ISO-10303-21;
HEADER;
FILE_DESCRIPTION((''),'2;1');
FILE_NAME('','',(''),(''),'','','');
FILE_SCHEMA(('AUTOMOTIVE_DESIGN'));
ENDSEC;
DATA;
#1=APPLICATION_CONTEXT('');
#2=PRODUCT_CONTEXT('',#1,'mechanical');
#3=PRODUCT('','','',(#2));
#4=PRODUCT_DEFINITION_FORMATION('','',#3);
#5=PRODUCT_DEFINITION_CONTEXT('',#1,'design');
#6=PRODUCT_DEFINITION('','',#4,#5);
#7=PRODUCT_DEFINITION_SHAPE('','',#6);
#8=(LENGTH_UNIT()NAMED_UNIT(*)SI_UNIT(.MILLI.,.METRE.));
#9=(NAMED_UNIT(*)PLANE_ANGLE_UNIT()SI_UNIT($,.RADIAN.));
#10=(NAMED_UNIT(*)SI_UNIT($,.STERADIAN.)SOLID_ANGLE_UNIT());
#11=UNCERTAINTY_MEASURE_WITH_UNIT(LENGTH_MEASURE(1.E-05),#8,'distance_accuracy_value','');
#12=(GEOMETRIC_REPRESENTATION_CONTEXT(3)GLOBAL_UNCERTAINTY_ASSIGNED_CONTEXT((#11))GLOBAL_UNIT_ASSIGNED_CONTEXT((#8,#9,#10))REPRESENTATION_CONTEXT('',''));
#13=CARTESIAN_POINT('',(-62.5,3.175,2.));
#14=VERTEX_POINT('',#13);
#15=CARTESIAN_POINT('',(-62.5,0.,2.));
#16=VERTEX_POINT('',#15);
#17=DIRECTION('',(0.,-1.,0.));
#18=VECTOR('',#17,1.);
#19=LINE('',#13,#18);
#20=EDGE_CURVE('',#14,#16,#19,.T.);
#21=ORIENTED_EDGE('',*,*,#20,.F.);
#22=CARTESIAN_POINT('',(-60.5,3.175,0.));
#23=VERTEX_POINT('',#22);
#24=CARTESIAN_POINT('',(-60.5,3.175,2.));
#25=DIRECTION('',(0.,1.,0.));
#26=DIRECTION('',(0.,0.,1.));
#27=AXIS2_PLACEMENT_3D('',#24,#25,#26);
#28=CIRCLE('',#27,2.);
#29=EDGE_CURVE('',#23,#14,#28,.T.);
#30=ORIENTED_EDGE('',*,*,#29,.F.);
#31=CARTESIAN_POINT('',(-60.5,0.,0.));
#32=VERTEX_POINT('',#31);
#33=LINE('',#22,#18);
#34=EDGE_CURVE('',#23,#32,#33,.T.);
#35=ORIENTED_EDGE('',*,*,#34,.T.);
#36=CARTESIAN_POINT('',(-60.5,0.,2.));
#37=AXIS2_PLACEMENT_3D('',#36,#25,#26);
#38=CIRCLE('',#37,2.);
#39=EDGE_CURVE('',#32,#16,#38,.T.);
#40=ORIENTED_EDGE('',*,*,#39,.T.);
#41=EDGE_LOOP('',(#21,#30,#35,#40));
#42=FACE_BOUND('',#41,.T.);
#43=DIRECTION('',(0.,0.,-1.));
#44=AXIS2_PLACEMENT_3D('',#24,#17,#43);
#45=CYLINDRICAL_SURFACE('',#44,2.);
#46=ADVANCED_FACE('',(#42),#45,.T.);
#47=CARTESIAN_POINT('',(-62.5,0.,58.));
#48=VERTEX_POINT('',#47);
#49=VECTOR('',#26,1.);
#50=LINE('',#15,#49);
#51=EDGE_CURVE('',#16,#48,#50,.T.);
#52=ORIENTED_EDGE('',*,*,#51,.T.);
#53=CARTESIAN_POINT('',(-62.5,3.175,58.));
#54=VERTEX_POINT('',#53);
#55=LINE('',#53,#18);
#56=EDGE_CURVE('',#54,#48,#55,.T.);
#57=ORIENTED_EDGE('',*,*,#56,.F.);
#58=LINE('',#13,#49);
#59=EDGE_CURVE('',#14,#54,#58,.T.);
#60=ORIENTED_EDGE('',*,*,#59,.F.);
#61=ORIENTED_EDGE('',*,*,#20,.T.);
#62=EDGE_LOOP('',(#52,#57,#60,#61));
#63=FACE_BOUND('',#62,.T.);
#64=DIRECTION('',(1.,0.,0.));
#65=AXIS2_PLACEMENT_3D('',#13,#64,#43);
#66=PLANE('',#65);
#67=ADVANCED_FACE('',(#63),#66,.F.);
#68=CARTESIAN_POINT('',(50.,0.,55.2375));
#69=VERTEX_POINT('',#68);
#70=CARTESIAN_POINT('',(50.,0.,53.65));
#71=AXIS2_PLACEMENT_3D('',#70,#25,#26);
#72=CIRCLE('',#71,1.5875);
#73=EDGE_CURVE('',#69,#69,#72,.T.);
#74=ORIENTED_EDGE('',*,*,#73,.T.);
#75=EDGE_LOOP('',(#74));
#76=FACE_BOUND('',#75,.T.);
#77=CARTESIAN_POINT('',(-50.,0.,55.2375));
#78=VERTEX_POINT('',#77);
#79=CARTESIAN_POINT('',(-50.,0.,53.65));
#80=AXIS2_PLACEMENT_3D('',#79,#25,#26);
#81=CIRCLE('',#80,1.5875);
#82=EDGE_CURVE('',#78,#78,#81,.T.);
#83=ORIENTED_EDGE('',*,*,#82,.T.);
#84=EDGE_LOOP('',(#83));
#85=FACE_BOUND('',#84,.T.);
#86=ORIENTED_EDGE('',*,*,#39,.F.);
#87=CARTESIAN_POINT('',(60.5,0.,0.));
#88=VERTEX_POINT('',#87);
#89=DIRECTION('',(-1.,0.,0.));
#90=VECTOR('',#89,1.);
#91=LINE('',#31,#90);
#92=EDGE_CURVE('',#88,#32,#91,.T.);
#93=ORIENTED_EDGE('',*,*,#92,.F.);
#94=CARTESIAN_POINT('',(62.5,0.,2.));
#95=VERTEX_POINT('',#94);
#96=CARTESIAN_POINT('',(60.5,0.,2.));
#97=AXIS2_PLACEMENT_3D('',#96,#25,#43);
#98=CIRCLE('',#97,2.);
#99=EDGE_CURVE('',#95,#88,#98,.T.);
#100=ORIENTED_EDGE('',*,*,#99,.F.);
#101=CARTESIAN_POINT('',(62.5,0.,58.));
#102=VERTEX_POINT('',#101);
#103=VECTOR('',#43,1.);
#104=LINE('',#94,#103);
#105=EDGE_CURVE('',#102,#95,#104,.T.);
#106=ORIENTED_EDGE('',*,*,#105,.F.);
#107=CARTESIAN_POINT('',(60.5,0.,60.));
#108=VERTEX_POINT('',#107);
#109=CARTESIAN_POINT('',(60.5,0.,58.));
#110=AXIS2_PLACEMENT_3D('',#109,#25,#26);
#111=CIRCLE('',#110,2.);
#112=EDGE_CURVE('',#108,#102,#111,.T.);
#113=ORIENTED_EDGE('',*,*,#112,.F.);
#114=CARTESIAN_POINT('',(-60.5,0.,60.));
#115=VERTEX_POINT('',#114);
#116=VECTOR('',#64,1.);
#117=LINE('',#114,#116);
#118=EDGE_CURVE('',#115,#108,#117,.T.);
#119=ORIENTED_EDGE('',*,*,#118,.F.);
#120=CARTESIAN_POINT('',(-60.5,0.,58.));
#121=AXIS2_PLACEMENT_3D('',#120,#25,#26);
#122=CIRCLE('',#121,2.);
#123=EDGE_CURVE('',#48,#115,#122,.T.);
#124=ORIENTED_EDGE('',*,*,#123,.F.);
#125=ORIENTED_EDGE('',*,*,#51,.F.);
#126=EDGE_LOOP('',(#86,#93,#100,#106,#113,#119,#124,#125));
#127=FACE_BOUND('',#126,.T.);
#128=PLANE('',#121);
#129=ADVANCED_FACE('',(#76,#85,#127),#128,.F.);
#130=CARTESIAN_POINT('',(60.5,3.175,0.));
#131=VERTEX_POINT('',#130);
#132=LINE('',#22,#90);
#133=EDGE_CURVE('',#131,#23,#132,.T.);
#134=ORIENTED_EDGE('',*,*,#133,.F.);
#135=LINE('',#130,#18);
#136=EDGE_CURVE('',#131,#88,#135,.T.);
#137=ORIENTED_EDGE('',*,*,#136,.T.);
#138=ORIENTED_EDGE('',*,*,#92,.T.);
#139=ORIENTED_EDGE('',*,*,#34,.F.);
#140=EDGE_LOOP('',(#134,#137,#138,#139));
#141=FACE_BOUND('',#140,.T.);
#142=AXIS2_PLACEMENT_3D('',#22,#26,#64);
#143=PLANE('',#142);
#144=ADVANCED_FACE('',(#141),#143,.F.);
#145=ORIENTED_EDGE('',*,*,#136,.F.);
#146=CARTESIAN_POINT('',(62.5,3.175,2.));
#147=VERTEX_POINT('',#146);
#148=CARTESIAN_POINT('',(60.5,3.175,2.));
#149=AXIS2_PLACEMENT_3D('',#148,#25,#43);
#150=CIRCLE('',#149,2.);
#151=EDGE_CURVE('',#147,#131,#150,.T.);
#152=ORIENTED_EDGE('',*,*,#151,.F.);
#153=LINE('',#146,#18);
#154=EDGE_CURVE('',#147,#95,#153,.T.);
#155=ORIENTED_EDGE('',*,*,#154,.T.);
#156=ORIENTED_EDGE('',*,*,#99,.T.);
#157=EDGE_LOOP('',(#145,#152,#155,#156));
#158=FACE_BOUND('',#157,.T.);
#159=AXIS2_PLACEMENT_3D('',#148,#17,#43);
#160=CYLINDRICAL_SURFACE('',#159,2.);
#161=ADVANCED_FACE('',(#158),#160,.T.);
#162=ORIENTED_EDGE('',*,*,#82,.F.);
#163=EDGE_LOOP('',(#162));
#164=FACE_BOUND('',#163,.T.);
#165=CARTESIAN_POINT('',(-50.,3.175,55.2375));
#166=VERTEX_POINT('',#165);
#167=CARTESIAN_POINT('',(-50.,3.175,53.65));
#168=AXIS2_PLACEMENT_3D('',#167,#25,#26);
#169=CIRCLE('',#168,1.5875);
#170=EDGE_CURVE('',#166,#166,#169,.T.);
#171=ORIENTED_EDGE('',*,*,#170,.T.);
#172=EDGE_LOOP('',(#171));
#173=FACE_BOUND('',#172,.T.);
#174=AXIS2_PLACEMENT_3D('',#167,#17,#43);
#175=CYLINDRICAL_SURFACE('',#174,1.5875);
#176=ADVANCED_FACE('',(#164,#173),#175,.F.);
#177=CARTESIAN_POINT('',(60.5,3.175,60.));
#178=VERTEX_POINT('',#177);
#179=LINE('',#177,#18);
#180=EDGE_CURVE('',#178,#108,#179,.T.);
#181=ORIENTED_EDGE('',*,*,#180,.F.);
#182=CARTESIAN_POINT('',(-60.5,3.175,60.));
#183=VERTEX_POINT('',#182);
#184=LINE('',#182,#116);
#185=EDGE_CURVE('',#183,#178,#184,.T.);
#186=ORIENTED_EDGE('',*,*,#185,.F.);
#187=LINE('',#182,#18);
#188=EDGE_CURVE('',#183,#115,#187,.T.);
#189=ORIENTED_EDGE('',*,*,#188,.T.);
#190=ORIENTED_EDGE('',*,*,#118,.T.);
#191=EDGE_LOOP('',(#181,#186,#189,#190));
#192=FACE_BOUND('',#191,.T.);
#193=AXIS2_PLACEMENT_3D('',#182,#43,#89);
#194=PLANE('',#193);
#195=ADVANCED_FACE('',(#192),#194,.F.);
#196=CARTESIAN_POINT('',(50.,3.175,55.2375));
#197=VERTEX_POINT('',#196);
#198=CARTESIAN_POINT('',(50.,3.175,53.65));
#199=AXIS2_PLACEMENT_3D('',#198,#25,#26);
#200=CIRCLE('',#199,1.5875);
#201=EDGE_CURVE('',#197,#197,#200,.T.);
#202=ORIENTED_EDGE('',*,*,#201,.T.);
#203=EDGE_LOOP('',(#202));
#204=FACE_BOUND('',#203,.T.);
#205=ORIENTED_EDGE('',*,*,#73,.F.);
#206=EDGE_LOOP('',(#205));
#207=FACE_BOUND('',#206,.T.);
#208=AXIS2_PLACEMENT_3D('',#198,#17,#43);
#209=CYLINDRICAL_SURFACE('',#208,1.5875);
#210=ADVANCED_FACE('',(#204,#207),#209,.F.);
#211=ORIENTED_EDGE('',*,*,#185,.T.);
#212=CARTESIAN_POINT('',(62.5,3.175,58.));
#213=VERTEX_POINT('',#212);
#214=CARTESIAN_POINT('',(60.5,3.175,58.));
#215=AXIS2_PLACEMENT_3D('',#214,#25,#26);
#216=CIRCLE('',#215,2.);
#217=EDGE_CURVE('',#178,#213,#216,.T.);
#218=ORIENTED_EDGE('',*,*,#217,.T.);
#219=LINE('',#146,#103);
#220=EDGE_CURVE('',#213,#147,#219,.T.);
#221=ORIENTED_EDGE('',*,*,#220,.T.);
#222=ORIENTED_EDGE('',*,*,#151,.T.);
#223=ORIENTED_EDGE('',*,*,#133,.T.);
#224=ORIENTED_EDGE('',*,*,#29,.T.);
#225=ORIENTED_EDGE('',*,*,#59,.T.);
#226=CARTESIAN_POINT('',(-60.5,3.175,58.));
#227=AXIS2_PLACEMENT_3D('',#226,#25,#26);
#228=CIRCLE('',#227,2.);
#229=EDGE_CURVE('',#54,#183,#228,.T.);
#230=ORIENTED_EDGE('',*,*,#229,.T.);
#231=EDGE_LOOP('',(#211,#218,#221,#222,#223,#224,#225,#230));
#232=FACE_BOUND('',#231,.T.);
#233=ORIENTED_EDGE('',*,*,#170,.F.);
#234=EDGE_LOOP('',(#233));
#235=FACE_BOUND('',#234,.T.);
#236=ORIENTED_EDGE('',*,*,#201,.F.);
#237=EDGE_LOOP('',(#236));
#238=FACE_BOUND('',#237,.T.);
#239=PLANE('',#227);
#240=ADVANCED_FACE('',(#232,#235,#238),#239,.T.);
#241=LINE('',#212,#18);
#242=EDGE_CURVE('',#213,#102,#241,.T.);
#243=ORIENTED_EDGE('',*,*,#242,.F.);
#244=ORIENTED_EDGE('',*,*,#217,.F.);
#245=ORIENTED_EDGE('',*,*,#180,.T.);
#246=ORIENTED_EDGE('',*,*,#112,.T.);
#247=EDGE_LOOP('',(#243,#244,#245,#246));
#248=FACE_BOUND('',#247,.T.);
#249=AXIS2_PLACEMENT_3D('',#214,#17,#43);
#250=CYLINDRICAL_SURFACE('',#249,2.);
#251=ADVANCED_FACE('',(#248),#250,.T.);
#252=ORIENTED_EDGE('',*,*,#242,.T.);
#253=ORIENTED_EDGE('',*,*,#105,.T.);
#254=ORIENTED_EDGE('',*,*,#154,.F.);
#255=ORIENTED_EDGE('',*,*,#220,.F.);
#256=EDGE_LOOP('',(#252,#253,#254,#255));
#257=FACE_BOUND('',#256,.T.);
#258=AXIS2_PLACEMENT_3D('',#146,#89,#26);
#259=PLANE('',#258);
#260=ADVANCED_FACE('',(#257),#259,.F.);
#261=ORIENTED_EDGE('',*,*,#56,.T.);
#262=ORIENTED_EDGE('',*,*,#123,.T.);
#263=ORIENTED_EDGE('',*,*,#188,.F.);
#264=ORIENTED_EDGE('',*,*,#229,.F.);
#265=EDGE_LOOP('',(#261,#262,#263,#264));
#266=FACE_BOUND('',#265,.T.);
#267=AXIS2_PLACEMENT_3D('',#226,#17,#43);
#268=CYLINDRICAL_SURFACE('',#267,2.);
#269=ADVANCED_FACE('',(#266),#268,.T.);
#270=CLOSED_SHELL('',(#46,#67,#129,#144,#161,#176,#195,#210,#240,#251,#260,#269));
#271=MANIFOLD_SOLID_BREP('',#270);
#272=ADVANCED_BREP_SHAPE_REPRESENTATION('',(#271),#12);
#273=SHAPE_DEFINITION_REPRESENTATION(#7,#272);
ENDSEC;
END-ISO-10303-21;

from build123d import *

# Parameters (mm, degrees)
SKETCH1_R           = 1.5875
BOSS_EXTRUDE1_DEPTH = 3.175


with BuildPart() as part:
    # Sketch1 → Boss-Extrude1 (new body)
    with BuildSketch(Plane(origin=(0, 0, 0), x_dir=(1, 0, 0), z_dir=(0, 1, 0))):
        with BuildLine():
            Line((-60.5, 0), (60.5, 0))
            ThreePointArc((60.5, 0), (61.914213562, -0.585786438), (62.5, -2))
            Line((62.5, -2), (62.5, -58))
            ThreePointArc((62.5, -58), (61.914213562, -59.414213562), (60.5, -60))
            Line((60.5, -60), (-60.5, -60))
            ThreePointArc((-60.5, -60), (-61.914213562, -59.414213562), (-62.5, -58))
            Line((-62.5, -58), (-62.5, -2))
            ThreePointArc((-62.5, -2), (-61.914213562, -0.585786438), (-60.5, 0))
        make_face()
        with Locations(Location((-50, -53.65, 0), (0, 0, 270))):
            Circle(SKETCH1_R, mode=Mode.SUBTRACT)
        with Locations(Location((50, -53.65, 0), (0, 0, 270))):
            Circle(SKETCH1_R, mode=Mode.SUBTRACT)
    extrude(amount=BOSS_EXTRUDE1_DEPTH)


solid = part.part
